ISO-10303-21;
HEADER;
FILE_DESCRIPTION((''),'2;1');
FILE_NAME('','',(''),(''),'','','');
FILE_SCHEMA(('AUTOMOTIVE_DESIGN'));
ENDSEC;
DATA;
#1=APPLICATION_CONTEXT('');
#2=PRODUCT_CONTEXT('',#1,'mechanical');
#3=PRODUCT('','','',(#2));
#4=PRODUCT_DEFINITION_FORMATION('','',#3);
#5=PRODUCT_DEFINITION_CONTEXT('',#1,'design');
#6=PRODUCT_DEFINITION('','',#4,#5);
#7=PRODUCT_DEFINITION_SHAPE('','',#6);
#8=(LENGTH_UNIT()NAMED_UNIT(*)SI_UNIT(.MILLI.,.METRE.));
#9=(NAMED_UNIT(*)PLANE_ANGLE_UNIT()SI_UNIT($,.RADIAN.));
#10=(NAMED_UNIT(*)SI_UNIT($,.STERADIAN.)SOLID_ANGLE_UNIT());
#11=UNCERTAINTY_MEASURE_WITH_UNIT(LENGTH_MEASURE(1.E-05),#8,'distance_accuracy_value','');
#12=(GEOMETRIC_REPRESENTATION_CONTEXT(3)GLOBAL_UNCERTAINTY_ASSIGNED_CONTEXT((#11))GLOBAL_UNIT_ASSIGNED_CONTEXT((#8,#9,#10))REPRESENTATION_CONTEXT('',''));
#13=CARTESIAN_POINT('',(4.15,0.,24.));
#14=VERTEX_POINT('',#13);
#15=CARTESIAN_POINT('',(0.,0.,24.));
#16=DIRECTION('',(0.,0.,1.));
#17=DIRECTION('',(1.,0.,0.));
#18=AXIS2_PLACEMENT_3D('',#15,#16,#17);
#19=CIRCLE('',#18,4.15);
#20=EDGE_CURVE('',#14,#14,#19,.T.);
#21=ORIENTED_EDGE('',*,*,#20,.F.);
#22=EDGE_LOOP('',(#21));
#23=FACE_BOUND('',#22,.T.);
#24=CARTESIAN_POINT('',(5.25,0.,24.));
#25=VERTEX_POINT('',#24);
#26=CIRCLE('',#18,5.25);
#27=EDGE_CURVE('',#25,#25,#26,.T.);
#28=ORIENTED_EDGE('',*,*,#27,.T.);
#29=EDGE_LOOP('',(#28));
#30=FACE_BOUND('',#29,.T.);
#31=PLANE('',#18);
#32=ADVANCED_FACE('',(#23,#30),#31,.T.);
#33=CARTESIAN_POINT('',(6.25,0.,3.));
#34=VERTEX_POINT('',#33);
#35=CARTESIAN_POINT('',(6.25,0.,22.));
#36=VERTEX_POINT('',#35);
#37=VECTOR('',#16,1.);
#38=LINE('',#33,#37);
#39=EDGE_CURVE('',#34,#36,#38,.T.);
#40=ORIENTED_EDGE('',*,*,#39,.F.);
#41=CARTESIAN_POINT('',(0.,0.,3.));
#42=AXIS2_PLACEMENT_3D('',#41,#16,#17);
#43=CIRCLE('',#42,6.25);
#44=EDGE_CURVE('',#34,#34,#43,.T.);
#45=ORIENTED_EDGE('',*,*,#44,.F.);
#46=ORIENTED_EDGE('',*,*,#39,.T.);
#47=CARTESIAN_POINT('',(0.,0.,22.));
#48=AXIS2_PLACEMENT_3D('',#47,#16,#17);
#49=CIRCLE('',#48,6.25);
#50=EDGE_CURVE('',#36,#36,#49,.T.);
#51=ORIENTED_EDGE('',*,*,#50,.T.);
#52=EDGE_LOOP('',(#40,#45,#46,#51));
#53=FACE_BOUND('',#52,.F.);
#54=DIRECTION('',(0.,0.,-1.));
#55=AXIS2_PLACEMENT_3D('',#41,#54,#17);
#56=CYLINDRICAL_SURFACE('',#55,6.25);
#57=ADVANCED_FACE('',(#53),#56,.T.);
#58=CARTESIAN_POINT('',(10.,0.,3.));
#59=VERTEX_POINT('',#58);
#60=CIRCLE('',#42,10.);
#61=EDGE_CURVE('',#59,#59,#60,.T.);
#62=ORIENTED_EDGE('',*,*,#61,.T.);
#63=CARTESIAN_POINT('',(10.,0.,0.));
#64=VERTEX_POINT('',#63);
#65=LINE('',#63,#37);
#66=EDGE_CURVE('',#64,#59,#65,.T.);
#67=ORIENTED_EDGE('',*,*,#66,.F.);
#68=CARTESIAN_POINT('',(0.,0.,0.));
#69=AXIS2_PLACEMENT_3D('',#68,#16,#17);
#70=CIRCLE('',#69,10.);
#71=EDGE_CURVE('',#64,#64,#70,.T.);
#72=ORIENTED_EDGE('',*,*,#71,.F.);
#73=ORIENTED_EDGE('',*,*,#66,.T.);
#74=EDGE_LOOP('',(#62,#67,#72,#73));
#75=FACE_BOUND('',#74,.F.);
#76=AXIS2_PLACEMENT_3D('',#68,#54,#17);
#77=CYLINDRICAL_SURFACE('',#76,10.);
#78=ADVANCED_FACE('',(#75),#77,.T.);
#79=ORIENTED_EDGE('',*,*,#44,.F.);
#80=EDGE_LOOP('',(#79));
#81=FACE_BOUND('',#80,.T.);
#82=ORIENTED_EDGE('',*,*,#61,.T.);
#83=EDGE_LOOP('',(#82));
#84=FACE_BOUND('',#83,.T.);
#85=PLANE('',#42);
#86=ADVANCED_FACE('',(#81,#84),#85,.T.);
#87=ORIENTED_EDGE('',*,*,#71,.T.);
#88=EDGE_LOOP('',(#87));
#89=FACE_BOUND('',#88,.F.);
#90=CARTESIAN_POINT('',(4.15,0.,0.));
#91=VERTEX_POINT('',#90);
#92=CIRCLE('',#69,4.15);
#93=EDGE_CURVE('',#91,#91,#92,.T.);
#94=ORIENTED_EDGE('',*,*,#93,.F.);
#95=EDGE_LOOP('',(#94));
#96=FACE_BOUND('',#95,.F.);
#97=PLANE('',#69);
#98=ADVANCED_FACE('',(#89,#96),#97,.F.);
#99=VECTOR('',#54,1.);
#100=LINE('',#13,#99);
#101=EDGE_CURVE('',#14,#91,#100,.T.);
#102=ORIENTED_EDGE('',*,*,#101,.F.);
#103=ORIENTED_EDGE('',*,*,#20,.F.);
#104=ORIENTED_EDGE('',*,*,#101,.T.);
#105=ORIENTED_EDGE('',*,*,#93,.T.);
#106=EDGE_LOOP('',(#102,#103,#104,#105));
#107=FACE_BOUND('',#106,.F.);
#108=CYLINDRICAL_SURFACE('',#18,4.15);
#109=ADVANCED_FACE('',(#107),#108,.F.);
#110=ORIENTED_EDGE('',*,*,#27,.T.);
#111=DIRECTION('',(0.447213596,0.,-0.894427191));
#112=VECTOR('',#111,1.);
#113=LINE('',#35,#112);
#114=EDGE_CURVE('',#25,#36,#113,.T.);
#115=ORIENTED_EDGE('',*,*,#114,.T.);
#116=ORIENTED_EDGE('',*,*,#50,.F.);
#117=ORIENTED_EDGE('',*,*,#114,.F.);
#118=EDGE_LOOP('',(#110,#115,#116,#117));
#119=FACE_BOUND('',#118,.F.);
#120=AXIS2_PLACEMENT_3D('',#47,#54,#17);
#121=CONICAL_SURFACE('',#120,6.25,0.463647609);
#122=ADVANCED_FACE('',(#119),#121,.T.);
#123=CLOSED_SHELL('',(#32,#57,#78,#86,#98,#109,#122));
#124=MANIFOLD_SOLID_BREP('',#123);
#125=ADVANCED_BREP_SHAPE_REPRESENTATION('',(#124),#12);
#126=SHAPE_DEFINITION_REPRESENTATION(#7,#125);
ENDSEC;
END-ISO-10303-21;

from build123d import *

# Parameters (mm, degrees)
F0_R     = 10
F1_DEPTH = 3
F2_R     = 6.25
F3_DEPTH = 21
F4_R     = 4.15
F5_DEPTH = 25
F6_SIZE2 = 2
F6_SIZE  = 1


with BuildPart() as f1:
    # F0 (on Top) → F1 (new body)
    with BuildSketch(Plane.XY):
        Circle(F0_R)
    extrude(amount=F1_DEPTH)

    # F2 (on face) → F3 (join)
    with BuildSketch(Plane.XY.offset(3)):
        Circle(F2_R)
    extrude(amount=F3_DEPTH)

    # F4 (on face) → F5 (cut)
    with BuildSketch(Plane.XY.offset(24)):
        Circle(F4_R)
    extrude(amount=-F5_DEPTH, mode=Mode.SUBTRACT)

    # F6
    f6_edges = [f1.edges().sort_by_distance(p)[0] for p in [
        (-6.25, 0, 24),
    ]]
    f6_side = f1.faces().sort_by_distance((-6.073223, 0, 24))[0]
    chamfer(f6_edges, length=F6_SIZE, length2=F6_SIZE2, reference=f6_side)


solid = f1.part
